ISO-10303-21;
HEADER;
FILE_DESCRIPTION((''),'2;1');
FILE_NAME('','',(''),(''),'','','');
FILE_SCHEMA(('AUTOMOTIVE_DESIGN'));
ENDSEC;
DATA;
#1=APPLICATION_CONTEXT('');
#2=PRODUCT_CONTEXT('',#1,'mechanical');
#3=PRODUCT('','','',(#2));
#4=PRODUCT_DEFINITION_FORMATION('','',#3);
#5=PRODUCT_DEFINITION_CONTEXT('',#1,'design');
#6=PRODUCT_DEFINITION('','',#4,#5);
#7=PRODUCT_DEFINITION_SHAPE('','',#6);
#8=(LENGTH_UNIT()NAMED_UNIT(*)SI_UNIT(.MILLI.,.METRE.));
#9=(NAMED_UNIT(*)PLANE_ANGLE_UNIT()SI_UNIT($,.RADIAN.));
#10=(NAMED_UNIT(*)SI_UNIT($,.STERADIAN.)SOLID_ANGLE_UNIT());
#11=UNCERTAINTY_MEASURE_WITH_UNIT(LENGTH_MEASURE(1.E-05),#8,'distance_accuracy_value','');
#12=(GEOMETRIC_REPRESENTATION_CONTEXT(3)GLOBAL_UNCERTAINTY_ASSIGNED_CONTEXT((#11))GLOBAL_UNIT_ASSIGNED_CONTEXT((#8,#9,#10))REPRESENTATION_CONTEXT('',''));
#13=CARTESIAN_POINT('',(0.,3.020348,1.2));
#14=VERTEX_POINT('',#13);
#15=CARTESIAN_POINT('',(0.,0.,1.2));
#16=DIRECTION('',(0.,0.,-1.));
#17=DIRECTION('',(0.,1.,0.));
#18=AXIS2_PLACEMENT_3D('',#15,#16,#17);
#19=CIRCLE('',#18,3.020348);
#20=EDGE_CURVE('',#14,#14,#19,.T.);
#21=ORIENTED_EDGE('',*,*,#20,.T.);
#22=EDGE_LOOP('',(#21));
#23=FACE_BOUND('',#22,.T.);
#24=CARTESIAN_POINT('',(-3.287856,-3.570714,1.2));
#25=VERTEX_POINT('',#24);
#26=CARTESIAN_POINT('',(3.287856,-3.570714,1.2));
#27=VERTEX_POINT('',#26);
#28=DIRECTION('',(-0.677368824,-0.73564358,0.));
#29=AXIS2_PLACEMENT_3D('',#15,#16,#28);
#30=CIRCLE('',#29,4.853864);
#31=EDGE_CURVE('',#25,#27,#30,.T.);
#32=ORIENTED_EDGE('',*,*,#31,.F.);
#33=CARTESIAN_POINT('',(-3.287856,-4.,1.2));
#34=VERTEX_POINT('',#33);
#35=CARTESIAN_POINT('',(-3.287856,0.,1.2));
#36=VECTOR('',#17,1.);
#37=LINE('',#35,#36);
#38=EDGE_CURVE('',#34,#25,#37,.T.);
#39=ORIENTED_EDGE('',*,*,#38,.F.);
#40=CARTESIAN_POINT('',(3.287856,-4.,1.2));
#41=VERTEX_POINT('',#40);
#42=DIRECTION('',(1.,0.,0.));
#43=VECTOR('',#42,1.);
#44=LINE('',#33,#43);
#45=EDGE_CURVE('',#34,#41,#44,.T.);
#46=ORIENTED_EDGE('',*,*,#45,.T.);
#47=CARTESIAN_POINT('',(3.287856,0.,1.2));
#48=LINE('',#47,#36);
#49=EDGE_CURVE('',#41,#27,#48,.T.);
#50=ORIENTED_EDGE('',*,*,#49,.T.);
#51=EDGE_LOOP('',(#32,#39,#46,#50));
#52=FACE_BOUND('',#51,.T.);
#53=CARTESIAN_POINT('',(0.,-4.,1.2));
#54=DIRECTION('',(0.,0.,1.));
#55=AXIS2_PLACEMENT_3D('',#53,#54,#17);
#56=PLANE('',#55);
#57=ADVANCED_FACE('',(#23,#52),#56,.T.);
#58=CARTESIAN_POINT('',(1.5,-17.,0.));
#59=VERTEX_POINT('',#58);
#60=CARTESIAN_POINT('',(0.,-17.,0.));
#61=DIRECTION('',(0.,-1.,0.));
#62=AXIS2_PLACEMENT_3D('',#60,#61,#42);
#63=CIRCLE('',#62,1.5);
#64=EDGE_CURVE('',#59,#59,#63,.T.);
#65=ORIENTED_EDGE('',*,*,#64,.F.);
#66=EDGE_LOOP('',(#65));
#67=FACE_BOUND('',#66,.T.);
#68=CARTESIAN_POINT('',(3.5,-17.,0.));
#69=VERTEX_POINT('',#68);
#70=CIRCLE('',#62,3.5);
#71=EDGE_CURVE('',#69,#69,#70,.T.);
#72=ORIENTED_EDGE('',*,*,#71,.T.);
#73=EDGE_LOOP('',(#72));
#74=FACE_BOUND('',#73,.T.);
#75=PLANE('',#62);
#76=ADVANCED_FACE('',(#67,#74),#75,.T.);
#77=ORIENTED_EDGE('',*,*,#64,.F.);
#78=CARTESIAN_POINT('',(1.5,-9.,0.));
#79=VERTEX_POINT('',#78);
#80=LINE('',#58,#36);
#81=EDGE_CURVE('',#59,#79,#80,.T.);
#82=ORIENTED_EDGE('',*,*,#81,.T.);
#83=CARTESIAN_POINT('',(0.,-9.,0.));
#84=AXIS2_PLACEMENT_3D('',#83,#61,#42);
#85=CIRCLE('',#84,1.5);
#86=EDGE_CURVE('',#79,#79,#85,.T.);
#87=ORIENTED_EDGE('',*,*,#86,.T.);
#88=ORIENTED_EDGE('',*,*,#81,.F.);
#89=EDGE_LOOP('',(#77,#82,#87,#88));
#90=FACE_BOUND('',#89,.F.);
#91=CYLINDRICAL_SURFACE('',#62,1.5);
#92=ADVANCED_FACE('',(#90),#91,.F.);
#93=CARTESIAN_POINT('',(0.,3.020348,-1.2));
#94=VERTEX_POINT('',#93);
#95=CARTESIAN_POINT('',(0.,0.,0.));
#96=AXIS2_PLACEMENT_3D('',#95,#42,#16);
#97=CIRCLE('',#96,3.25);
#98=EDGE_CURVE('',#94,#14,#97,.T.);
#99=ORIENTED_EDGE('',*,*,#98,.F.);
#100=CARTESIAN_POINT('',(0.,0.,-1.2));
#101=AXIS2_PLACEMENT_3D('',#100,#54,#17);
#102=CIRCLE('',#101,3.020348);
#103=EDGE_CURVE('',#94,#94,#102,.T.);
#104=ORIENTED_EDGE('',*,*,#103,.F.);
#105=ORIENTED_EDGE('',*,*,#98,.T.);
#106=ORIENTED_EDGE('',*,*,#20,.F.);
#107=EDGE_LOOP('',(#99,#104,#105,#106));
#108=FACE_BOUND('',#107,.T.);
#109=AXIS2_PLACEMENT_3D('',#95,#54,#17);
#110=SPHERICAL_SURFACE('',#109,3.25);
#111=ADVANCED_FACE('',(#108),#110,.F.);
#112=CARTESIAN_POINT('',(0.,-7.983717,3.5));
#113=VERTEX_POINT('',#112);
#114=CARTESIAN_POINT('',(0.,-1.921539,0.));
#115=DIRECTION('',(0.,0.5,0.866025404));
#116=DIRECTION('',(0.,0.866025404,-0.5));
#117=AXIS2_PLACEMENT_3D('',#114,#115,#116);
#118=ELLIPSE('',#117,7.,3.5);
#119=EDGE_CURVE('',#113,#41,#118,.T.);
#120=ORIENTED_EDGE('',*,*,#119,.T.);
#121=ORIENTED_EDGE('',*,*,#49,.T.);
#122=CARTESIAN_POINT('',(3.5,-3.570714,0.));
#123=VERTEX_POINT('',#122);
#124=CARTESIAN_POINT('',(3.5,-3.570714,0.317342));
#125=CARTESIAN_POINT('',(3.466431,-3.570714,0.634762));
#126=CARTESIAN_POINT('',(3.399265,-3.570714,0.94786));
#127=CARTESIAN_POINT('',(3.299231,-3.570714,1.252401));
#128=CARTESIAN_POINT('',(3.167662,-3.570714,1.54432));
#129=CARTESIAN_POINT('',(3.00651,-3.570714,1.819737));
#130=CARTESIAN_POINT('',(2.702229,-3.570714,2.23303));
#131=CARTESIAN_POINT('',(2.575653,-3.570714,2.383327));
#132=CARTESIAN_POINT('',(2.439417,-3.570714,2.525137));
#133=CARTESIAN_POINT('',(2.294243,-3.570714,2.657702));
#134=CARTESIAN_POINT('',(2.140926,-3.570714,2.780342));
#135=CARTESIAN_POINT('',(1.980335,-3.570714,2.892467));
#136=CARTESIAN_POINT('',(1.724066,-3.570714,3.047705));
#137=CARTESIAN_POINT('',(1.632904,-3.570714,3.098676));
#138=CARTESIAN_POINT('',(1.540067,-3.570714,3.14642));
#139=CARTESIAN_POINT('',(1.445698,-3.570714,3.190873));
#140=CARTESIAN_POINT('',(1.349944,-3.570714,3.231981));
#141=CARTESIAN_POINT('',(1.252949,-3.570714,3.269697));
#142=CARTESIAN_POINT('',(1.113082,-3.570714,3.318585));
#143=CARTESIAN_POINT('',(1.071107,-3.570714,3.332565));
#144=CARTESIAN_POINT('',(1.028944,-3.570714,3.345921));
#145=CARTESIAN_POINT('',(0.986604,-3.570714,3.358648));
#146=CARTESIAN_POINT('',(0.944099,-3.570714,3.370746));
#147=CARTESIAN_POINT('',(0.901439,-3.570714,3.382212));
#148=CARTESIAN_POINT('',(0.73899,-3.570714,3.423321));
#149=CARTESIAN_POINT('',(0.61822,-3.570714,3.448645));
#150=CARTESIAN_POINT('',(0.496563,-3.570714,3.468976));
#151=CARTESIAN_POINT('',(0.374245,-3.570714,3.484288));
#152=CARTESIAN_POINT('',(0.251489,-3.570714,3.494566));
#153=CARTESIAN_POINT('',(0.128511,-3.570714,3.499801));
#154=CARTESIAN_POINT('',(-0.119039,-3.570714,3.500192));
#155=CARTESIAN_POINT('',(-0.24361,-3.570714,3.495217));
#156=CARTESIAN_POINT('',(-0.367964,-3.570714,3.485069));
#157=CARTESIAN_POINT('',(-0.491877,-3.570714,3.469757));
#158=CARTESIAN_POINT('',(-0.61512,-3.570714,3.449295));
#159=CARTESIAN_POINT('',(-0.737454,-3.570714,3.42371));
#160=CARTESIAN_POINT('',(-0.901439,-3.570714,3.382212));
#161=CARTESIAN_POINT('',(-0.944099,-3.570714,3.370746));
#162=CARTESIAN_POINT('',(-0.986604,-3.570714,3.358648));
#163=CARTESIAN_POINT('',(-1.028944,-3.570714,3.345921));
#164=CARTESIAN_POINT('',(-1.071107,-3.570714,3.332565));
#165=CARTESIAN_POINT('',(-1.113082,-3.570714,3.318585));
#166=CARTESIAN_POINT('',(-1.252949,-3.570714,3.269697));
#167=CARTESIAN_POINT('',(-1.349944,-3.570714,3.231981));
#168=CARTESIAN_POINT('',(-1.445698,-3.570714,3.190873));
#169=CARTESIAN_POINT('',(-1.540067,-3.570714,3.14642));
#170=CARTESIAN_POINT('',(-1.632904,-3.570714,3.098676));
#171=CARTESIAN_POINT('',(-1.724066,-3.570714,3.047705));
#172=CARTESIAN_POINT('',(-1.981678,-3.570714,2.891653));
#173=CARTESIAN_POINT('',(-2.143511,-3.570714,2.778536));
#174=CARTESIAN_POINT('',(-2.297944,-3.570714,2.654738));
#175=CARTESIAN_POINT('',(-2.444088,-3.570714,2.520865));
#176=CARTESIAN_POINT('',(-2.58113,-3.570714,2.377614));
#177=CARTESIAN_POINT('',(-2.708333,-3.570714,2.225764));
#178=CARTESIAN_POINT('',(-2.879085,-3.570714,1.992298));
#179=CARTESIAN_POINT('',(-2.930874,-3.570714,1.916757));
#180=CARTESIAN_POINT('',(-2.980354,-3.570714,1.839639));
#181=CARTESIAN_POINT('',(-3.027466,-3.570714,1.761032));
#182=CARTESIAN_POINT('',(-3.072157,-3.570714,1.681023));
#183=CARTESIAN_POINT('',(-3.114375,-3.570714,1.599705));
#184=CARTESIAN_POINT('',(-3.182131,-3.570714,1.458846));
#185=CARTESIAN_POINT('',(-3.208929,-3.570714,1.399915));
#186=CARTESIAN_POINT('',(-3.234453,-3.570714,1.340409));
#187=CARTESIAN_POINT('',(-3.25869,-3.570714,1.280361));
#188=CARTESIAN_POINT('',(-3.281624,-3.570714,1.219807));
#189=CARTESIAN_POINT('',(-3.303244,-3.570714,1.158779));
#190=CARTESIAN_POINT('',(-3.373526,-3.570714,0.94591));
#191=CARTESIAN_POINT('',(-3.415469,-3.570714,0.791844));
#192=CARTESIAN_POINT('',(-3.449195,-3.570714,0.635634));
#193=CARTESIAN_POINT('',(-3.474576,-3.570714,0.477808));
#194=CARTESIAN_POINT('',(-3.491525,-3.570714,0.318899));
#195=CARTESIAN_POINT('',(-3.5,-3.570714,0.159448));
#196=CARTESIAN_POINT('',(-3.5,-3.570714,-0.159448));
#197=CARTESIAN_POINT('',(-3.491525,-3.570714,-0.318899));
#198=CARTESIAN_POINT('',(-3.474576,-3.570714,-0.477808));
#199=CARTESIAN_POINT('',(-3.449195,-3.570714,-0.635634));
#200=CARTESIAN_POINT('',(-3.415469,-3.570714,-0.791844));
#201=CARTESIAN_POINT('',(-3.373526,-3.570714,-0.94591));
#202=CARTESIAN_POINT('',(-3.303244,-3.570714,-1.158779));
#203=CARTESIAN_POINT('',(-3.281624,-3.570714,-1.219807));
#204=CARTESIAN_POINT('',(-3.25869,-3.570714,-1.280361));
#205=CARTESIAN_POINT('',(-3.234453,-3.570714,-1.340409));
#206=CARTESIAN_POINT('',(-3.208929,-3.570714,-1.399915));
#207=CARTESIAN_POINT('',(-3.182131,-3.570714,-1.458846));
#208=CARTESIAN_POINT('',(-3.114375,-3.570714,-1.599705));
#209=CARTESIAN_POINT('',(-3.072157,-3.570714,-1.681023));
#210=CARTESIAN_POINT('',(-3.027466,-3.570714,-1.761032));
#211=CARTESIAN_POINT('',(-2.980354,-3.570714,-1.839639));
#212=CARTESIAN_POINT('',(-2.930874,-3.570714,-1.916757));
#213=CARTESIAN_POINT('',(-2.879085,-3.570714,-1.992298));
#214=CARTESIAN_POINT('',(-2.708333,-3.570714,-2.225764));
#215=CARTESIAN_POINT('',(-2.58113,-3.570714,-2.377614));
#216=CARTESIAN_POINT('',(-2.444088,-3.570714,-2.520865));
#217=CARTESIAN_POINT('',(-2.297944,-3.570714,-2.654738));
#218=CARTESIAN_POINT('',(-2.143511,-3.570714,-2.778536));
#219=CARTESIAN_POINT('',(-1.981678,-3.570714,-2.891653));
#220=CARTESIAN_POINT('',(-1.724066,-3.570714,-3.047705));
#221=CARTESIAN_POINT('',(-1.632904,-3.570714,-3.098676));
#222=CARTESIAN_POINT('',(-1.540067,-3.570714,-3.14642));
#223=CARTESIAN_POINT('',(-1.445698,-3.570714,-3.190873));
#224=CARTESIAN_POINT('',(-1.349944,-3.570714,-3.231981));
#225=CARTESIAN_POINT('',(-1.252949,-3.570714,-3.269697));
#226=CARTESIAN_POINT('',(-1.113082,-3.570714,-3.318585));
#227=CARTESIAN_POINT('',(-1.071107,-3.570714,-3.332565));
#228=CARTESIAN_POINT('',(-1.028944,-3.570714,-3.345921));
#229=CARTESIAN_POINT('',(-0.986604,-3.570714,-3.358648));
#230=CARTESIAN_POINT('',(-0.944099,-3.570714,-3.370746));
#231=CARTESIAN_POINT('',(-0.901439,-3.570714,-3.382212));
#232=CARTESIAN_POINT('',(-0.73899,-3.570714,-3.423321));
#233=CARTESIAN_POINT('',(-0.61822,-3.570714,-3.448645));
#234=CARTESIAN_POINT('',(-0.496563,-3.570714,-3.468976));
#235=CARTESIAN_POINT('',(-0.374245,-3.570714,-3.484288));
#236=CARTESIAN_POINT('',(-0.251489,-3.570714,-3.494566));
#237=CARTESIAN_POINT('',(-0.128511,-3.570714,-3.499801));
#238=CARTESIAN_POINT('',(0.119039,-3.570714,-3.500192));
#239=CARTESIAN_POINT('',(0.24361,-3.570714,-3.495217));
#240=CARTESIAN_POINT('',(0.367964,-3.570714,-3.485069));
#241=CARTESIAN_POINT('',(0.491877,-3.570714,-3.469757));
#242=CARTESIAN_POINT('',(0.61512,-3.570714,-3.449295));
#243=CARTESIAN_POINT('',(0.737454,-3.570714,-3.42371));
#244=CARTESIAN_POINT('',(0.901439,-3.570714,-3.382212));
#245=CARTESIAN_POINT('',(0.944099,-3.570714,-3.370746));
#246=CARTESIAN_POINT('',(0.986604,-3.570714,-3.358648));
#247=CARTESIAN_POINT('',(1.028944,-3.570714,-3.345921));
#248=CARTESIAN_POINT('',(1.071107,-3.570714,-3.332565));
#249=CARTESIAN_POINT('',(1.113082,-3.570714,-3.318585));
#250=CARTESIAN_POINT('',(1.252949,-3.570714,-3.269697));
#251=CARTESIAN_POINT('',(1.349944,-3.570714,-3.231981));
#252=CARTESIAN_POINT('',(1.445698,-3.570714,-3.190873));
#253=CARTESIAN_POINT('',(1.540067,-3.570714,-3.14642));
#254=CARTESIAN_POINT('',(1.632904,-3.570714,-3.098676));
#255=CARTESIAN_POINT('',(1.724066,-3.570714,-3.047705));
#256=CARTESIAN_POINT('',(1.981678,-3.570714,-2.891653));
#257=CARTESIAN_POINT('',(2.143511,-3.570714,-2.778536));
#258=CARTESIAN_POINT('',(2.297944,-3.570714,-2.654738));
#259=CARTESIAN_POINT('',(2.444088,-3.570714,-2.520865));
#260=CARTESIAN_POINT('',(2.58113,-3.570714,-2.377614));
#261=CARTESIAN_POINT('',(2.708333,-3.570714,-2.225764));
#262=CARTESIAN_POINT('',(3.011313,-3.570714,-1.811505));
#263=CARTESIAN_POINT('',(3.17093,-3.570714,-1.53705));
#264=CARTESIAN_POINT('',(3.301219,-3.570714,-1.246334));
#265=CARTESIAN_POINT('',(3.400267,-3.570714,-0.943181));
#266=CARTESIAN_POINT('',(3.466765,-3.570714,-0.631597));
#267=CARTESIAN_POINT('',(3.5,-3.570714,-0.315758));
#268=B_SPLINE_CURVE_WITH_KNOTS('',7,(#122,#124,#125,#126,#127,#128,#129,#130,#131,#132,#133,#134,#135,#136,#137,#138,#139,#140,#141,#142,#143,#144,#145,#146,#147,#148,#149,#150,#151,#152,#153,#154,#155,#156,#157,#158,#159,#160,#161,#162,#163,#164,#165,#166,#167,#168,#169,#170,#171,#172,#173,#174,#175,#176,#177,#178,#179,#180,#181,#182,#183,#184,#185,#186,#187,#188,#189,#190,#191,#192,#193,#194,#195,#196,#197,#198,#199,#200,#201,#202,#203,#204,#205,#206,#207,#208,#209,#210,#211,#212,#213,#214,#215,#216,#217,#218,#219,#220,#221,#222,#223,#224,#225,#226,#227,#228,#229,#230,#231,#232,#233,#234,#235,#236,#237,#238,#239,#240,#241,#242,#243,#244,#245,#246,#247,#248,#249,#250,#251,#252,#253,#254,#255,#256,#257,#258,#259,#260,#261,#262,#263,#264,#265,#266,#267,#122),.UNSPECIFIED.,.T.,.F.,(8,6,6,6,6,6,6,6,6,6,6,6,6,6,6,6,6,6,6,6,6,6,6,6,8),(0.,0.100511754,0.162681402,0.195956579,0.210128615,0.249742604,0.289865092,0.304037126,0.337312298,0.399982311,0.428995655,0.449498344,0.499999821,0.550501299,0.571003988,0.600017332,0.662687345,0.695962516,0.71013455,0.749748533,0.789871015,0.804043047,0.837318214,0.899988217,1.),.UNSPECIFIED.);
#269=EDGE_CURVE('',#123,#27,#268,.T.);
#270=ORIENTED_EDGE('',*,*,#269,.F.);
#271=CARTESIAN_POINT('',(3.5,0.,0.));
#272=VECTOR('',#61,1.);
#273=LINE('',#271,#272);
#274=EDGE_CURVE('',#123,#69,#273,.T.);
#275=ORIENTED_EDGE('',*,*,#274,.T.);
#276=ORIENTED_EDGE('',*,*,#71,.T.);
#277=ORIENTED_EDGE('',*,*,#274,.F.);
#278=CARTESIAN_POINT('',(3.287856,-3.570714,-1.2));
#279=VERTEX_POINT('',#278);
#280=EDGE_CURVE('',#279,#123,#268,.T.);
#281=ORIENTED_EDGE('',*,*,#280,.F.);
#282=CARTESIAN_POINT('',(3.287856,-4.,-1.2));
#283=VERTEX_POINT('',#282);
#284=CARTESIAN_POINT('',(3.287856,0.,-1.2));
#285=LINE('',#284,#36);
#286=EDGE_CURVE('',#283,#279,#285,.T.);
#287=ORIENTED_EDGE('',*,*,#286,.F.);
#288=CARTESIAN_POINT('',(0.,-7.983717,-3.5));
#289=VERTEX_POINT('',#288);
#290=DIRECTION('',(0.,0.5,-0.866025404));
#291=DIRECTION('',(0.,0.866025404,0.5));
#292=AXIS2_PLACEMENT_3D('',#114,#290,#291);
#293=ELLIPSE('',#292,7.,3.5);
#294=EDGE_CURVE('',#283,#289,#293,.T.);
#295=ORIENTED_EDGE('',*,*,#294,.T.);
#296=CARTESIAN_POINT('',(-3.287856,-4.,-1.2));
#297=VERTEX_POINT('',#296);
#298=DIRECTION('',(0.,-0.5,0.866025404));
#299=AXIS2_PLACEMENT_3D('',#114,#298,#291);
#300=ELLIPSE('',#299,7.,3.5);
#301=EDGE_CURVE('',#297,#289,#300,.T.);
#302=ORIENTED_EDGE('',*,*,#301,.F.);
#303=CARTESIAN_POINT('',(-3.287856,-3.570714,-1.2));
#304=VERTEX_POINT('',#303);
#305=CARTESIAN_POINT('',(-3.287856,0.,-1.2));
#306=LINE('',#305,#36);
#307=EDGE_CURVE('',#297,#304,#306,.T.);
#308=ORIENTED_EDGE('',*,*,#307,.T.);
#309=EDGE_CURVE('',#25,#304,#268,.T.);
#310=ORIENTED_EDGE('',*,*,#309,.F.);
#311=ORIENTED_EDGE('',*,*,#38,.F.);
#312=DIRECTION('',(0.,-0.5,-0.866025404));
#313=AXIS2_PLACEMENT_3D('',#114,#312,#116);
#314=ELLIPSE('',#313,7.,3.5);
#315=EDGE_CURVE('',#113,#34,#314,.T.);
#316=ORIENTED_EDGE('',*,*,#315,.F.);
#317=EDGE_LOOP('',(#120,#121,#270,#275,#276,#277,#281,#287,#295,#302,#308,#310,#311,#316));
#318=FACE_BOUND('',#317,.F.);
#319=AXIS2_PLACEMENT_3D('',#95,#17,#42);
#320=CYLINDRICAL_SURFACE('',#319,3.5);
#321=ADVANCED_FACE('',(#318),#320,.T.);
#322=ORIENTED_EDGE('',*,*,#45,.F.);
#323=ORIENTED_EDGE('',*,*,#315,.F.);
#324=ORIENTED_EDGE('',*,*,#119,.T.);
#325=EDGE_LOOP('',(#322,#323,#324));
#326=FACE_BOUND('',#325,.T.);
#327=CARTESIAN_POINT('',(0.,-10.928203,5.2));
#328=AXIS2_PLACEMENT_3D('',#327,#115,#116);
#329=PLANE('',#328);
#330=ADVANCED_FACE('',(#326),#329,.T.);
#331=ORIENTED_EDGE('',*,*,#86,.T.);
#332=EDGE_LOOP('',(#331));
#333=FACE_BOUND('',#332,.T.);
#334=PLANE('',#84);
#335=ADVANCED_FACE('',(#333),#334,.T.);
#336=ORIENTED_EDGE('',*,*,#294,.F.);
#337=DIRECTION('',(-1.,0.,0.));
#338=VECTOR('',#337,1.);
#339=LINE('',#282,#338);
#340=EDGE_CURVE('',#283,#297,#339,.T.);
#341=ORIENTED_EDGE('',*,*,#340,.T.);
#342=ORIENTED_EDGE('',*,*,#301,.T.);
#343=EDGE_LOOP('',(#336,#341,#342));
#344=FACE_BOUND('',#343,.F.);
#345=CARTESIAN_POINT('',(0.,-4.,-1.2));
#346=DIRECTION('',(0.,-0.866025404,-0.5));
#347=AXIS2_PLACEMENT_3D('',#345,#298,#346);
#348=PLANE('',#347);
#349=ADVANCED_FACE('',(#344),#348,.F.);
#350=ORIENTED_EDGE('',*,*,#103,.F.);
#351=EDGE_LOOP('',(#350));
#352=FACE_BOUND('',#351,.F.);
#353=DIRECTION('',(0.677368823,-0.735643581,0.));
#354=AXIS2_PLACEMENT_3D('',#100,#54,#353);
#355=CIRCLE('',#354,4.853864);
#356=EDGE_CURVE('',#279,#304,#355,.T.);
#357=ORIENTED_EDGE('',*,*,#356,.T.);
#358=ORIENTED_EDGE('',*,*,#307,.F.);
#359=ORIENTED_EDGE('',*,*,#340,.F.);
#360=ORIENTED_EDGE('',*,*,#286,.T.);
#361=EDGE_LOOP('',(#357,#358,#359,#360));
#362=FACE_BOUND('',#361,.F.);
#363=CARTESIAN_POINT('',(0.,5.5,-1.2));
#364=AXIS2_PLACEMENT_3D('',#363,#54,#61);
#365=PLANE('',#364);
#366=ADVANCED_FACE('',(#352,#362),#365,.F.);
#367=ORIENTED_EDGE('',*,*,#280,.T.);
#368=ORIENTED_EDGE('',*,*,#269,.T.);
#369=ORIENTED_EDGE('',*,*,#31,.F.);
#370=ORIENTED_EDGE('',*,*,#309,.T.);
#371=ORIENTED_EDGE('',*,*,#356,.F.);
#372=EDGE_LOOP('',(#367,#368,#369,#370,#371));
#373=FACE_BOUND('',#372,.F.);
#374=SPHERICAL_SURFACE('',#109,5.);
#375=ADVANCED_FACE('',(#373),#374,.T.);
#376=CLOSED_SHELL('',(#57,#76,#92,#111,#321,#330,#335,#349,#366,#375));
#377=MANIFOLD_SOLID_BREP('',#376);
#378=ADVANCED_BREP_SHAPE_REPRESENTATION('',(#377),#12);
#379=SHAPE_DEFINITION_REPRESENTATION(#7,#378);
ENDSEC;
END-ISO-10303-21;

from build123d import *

# Parameters (mm, degrees)
F2_R          = 3.5
F3_DEPTH      = 17
F7_DEPTH      = 6
F7_DEPTH_BACK = 6
F8_R          = 1.5
F9_DEPTH      = 8


with BuildPart() as f1:
    # F0 (on Right) → F1 (revolve)
    with BuildSketch(Plane.YZ):
        with BuildLine():
            Line((0, 5), (0, -5))
            ThreePointArc((0, -5), (5, 0), (0, 5))
        make_face()
    revolve(axis=Axis((0, 0, 0), (0, 0, -1)))

    # F2 (on Front) → F3 (join)
    with BuildSketch(Plane.XZ):
        Circle(F2_R)
    extrude(amount=F3_DEPTH)

    # F4 (on Right) → F5 (revolve, cut)
    with BuildSketch(Plane.YZ):
        with BuildLine():
            Line((0, 3.25), (0, -3.25))
            ThreePointArc((0, -3.25), (3.25, 0), (0, 3.25))
        make_face()
    revolve(axis=Axis((0, 0, 0), (0, 0, -1)), mode=Mode.SUBTRACT)

    # F6 (on Right) → F7 (cut, two sides)
    with BuildSketch(Plane.YZ) as f7_sk:
        Polygon((-4, 1.2), (5.5, 1.2), (5.5, 5.2), (-10.9282032303, 5.2), align=None)
        Polygon((-10.9282032303, -5.2), (5.5, -5.2), (5.5, -1.2), (-4, -1.2), align=None)
    extrude(amount=-F7_DEPTH, mode=Mode.SUBTRACT)
    extrude(f7_sk.sketch, amount=F7_DEPTH_BACK, mode=Mode.SUBTRACT)

    # F8 (on face) → F9 (cut)
    with BuildSketch(Plane.XZ.offset(17)):
        Circle(F8_R)
    extrude(amount=-F9_DEPTH, mode=Mode.SUBTRACT)


solid = f1.part
